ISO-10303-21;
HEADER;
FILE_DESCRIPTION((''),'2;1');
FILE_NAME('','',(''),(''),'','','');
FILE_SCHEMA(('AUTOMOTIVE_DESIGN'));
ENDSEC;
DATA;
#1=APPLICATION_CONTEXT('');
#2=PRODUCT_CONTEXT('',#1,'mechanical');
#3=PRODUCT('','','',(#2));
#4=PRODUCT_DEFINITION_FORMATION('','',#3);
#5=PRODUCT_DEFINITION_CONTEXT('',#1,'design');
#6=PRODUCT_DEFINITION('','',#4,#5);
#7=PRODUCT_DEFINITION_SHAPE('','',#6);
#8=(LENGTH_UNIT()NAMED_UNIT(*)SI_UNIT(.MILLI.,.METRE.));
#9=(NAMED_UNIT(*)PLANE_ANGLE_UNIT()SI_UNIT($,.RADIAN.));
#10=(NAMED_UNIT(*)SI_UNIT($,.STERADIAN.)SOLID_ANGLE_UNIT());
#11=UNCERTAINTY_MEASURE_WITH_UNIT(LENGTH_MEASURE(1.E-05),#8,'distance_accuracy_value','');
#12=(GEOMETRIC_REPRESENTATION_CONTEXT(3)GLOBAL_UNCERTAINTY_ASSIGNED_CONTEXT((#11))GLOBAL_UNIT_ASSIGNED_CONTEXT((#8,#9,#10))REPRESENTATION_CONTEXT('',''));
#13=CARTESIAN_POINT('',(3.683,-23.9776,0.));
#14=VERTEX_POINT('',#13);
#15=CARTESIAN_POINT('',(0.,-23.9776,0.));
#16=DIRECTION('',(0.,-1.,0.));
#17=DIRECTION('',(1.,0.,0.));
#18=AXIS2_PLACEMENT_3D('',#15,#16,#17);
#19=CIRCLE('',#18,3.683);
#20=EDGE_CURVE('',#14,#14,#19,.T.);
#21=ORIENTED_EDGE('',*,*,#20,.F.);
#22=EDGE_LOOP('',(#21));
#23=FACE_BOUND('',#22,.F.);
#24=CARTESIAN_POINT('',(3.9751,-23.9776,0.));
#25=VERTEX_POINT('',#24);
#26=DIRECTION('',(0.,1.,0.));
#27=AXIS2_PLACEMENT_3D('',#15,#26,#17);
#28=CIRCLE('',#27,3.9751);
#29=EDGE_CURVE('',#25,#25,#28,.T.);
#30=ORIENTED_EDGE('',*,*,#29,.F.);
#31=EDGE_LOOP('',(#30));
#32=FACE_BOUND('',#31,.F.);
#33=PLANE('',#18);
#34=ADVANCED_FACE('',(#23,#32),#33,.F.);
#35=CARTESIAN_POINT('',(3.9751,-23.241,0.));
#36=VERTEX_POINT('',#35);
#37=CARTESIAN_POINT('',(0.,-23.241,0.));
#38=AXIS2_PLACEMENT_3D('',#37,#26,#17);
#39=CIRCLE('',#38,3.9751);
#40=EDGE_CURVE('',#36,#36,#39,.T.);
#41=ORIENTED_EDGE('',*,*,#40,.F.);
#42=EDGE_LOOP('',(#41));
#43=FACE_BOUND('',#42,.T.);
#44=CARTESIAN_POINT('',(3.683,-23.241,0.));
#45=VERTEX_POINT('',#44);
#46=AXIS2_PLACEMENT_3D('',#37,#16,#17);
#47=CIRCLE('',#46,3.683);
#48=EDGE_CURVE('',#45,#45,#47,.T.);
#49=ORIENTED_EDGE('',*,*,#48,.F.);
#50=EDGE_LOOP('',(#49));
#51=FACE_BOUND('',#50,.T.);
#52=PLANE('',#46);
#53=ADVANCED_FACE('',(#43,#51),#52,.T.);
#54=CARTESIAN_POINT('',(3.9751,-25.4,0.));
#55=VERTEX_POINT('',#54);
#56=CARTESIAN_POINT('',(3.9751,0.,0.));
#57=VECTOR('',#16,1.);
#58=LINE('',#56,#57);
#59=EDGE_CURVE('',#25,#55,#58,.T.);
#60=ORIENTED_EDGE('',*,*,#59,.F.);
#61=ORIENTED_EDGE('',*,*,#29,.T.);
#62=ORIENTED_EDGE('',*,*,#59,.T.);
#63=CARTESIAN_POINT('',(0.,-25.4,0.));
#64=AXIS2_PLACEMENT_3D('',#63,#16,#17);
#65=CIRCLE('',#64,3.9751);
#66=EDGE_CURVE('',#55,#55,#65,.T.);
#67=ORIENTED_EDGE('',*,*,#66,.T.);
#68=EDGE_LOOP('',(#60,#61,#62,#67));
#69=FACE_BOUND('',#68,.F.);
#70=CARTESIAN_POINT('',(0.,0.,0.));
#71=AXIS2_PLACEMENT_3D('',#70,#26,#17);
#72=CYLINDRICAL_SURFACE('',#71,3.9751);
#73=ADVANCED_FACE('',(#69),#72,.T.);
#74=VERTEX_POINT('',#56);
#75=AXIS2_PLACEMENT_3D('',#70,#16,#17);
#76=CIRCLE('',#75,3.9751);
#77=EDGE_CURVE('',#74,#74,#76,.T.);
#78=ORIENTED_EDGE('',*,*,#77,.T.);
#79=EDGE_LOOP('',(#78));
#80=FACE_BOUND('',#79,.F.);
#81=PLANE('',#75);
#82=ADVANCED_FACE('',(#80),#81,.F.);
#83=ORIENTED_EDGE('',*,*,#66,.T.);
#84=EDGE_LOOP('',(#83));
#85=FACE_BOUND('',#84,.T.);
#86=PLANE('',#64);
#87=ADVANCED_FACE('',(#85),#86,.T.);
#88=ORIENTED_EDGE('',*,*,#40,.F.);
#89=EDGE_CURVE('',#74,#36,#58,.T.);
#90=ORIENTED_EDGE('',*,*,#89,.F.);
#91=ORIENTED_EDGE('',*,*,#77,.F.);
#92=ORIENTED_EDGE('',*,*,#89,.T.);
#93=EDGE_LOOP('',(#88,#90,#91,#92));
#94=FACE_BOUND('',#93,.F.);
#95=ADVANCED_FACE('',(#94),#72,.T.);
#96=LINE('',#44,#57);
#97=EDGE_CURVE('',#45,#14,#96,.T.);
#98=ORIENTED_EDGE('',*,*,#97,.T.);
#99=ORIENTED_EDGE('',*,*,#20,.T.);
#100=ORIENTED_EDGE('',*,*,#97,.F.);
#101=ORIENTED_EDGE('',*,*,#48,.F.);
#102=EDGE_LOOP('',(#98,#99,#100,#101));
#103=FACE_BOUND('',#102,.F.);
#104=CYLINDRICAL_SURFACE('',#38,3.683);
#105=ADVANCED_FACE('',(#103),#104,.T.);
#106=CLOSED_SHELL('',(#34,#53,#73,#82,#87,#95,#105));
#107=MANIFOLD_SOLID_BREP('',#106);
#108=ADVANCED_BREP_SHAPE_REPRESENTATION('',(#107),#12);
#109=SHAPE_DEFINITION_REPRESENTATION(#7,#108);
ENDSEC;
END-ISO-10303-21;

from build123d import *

# Parameters (mm, degrees)
F0_R     = 3.9751
F1_DEPTH = 25.4
F3_R     = 7.385751
F3_R_2   = 3.683
F4_DEPTH = 0.7366


with BuildPart() as f1:
    # F0 (on Front) → F1 (new body)
    with BuildSketch(Plane.XZ):
        Circle(F0_R)
    extrude(amount=F1_DEPTH)

    # F3 (on offset) → F4 (cut)
    with BuildSketch(Plane.XZ.offset(23.241)):
        Circle(F3_R)
        Circle(F3_R_2, mode=Mode.SUBTRACT)
    extrude(amount=F4_DEPTH, mode=Mode.SUBTRACT)


solid = f1.part
